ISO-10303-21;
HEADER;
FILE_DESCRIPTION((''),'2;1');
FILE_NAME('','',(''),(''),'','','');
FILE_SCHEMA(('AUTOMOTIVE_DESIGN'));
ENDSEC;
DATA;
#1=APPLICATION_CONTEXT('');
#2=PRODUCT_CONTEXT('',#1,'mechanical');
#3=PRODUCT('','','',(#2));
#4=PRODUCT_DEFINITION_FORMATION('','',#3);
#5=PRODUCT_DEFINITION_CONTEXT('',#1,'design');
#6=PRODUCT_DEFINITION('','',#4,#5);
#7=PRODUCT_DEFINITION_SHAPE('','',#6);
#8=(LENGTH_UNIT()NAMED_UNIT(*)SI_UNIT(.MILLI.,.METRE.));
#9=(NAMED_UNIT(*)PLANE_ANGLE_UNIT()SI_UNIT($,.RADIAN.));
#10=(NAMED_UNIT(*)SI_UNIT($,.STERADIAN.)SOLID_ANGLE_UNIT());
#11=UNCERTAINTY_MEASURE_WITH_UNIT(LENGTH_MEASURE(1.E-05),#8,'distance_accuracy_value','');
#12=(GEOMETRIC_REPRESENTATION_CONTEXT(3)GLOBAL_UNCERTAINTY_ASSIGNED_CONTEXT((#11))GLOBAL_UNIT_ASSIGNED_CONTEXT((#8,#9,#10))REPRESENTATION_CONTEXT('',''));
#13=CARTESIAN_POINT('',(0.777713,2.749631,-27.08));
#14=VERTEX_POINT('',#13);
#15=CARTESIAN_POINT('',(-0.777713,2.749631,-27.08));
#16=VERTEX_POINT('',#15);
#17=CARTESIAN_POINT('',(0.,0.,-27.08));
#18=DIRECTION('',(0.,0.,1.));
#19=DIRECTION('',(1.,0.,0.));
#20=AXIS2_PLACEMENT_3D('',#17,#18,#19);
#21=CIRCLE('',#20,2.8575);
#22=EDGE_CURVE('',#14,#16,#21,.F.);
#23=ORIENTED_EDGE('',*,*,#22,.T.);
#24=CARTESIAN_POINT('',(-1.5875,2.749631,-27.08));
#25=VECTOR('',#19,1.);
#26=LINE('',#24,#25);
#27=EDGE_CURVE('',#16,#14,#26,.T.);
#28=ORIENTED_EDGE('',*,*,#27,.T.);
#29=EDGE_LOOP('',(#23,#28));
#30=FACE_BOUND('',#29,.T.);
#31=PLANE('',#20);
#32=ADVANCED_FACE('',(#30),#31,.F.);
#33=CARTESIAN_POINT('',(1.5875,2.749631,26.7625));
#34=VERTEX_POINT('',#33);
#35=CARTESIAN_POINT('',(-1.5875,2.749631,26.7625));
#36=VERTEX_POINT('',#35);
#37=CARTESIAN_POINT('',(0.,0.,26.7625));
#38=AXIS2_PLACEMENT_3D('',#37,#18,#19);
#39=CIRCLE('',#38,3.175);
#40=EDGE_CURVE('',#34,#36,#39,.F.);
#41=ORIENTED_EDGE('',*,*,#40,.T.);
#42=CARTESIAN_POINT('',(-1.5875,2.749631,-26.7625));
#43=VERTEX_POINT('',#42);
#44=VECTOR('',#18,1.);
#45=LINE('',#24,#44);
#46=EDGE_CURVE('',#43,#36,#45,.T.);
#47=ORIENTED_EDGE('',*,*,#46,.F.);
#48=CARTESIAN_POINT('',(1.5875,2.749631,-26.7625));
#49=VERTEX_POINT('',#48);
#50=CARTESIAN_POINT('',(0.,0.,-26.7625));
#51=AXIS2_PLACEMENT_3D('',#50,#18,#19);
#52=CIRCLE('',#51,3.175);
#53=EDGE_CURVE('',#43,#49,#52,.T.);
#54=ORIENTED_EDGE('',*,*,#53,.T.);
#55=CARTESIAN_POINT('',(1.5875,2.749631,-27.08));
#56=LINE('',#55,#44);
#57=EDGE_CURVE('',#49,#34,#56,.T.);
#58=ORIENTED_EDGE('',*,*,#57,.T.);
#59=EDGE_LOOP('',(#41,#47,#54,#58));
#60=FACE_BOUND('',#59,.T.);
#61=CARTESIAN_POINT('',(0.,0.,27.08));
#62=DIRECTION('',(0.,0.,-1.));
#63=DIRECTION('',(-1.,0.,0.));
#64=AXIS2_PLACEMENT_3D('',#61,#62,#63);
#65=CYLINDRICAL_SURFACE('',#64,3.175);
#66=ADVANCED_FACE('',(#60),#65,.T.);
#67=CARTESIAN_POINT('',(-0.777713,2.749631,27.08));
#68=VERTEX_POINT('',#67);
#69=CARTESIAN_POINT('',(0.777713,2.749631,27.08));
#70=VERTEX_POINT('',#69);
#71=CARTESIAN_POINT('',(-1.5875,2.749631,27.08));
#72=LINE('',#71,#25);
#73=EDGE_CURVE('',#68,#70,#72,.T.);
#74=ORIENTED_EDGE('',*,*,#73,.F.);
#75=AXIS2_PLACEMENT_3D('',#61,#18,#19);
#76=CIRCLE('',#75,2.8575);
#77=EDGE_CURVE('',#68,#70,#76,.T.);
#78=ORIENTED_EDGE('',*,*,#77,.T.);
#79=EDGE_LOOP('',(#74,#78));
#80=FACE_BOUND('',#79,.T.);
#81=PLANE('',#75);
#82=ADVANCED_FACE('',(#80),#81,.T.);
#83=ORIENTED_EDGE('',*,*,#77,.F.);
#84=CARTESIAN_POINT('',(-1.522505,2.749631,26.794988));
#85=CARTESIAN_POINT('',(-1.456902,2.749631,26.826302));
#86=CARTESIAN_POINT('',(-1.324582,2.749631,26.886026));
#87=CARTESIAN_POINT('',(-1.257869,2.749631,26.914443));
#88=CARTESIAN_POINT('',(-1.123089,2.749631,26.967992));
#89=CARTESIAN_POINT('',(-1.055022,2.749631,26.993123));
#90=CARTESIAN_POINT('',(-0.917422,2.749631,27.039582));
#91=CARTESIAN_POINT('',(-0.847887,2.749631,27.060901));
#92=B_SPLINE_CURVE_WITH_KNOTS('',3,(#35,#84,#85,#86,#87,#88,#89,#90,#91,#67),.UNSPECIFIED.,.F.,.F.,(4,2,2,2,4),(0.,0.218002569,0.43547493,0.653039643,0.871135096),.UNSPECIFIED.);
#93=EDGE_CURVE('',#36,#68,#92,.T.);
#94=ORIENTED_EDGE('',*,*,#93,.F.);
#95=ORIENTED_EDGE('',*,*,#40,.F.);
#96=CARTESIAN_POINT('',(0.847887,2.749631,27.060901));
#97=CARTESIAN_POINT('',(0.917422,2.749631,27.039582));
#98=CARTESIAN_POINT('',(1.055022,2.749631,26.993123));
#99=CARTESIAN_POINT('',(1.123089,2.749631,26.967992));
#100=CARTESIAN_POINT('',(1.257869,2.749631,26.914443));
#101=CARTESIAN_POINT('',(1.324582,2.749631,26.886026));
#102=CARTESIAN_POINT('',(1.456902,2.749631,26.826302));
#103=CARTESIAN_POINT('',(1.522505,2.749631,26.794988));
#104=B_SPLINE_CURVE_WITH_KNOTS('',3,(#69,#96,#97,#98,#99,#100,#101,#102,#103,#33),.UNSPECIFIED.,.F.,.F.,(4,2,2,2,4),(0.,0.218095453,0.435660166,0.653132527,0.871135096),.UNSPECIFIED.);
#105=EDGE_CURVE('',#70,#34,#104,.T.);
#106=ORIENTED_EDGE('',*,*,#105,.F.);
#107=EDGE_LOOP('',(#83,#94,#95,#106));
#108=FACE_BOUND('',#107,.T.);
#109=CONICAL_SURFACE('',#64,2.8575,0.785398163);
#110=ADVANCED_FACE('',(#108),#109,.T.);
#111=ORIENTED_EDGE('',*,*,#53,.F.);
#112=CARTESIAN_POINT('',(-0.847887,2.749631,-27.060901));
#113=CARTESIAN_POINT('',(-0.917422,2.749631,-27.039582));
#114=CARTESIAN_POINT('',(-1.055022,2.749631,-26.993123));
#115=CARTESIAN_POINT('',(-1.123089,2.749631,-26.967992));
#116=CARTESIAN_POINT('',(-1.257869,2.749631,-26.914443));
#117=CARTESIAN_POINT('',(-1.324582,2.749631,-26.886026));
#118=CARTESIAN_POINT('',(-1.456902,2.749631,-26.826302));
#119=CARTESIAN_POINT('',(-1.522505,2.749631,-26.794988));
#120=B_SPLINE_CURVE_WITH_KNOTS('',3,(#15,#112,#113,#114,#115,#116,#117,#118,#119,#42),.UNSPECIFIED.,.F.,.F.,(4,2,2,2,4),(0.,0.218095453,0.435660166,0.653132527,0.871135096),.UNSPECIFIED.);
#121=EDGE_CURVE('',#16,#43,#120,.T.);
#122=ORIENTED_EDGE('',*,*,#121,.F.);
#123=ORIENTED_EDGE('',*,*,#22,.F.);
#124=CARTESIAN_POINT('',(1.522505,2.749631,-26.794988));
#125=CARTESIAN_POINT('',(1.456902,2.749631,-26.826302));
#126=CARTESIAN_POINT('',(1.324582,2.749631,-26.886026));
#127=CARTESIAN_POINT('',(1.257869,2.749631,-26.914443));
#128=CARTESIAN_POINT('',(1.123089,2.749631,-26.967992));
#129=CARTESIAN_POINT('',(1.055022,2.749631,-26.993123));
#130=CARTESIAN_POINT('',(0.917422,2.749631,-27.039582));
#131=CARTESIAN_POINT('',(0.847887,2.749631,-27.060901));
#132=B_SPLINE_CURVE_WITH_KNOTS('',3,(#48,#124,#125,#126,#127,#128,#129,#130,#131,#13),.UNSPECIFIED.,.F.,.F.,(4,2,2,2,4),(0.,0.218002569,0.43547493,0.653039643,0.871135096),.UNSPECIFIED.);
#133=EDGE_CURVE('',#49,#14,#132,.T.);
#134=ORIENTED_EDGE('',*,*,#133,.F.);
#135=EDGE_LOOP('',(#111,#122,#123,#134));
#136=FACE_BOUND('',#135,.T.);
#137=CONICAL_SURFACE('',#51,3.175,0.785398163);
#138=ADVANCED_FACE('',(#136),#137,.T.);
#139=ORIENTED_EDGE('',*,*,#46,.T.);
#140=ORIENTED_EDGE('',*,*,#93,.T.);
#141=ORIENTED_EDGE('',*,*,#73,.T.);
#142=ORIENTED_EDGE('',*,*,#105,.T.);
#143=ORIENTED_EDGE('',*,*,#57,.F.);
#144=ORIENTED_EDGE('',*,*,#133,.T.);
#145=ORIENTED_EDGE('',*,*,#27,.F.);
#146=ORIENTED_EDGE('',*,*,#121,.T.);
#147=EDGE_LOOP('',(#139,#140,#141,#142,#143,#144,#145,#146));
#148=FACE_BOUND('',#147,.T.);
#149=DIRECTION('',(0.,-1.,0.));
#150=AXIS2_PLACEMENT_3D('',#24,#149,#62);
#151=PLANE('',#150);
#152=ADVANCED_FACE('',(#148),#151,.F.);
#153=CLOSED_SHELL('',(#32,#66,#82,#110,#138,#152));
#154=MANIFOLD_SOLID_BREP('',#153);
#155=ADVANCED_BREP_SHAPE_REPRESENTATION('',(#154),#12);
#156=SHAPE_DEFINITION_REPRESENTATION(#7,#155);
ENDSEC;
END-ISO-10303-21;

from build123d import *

# Parameters (mm, degrees)
SKETCH3_R                = 3.175
BOSS_EXTRUDE2_DEPTH      = 27.08
BOSS_EXTRUDE2_DEPTH_BACK = 27.08
CUT_EXTRUDE5_DEPTH       = 28.08
CUT_EXTRUDE5_DEPTH_BACK  = 28.08
CHAMFER1_SIZE            = 0.3175


with BuildPart() as part:
    # Sketch3 → Boss-Extrude2 (new body, two sides)
    with BuildSketch(Plane.XY) as boss_extrude2_sk:
        Circle(SKETCH3_R)
    extrude(amount=BOSS_EXTRUDE2_DEPTH)
    extrude(boss_extrude2_sk.sketch, amount=-BOSS_EXTRUDE2_DEPTH_BACK)

    # Sketch10 → Cut-Extrude5 (cut, two sides)
    with BuildSketch(Plane.XY) as cut_extrude5_sk:
        with BuildLine():
            Line((-1.5875, 2.749630657), (1.5875, 2.749630657))
            ThreePointArc((1.5875, 2.749630657), (0, 3.175), (-1.5875, 2.749630657))
        make_face()
    extrude(amount=CUT_EXTRUDE5_DEPTH, mode=Mode.SUBTRACT)
    extrude(cut_extrude5_sk.sketch, amount=-CUT_EXTRUDE5_DEPTH_BACK, mode=Mode.SUBTRACT)

    # Chamfer1
    chamfer1_edges = [part.edges().sort_by_distance(p)[0] for p in [
        (0, -3.175, -27.08),
        (0, -3.175, 27.08),
    ]]
    chamfer(chamfer1_edges, length=CHAMFER1_SIZE)


solid = part.part
